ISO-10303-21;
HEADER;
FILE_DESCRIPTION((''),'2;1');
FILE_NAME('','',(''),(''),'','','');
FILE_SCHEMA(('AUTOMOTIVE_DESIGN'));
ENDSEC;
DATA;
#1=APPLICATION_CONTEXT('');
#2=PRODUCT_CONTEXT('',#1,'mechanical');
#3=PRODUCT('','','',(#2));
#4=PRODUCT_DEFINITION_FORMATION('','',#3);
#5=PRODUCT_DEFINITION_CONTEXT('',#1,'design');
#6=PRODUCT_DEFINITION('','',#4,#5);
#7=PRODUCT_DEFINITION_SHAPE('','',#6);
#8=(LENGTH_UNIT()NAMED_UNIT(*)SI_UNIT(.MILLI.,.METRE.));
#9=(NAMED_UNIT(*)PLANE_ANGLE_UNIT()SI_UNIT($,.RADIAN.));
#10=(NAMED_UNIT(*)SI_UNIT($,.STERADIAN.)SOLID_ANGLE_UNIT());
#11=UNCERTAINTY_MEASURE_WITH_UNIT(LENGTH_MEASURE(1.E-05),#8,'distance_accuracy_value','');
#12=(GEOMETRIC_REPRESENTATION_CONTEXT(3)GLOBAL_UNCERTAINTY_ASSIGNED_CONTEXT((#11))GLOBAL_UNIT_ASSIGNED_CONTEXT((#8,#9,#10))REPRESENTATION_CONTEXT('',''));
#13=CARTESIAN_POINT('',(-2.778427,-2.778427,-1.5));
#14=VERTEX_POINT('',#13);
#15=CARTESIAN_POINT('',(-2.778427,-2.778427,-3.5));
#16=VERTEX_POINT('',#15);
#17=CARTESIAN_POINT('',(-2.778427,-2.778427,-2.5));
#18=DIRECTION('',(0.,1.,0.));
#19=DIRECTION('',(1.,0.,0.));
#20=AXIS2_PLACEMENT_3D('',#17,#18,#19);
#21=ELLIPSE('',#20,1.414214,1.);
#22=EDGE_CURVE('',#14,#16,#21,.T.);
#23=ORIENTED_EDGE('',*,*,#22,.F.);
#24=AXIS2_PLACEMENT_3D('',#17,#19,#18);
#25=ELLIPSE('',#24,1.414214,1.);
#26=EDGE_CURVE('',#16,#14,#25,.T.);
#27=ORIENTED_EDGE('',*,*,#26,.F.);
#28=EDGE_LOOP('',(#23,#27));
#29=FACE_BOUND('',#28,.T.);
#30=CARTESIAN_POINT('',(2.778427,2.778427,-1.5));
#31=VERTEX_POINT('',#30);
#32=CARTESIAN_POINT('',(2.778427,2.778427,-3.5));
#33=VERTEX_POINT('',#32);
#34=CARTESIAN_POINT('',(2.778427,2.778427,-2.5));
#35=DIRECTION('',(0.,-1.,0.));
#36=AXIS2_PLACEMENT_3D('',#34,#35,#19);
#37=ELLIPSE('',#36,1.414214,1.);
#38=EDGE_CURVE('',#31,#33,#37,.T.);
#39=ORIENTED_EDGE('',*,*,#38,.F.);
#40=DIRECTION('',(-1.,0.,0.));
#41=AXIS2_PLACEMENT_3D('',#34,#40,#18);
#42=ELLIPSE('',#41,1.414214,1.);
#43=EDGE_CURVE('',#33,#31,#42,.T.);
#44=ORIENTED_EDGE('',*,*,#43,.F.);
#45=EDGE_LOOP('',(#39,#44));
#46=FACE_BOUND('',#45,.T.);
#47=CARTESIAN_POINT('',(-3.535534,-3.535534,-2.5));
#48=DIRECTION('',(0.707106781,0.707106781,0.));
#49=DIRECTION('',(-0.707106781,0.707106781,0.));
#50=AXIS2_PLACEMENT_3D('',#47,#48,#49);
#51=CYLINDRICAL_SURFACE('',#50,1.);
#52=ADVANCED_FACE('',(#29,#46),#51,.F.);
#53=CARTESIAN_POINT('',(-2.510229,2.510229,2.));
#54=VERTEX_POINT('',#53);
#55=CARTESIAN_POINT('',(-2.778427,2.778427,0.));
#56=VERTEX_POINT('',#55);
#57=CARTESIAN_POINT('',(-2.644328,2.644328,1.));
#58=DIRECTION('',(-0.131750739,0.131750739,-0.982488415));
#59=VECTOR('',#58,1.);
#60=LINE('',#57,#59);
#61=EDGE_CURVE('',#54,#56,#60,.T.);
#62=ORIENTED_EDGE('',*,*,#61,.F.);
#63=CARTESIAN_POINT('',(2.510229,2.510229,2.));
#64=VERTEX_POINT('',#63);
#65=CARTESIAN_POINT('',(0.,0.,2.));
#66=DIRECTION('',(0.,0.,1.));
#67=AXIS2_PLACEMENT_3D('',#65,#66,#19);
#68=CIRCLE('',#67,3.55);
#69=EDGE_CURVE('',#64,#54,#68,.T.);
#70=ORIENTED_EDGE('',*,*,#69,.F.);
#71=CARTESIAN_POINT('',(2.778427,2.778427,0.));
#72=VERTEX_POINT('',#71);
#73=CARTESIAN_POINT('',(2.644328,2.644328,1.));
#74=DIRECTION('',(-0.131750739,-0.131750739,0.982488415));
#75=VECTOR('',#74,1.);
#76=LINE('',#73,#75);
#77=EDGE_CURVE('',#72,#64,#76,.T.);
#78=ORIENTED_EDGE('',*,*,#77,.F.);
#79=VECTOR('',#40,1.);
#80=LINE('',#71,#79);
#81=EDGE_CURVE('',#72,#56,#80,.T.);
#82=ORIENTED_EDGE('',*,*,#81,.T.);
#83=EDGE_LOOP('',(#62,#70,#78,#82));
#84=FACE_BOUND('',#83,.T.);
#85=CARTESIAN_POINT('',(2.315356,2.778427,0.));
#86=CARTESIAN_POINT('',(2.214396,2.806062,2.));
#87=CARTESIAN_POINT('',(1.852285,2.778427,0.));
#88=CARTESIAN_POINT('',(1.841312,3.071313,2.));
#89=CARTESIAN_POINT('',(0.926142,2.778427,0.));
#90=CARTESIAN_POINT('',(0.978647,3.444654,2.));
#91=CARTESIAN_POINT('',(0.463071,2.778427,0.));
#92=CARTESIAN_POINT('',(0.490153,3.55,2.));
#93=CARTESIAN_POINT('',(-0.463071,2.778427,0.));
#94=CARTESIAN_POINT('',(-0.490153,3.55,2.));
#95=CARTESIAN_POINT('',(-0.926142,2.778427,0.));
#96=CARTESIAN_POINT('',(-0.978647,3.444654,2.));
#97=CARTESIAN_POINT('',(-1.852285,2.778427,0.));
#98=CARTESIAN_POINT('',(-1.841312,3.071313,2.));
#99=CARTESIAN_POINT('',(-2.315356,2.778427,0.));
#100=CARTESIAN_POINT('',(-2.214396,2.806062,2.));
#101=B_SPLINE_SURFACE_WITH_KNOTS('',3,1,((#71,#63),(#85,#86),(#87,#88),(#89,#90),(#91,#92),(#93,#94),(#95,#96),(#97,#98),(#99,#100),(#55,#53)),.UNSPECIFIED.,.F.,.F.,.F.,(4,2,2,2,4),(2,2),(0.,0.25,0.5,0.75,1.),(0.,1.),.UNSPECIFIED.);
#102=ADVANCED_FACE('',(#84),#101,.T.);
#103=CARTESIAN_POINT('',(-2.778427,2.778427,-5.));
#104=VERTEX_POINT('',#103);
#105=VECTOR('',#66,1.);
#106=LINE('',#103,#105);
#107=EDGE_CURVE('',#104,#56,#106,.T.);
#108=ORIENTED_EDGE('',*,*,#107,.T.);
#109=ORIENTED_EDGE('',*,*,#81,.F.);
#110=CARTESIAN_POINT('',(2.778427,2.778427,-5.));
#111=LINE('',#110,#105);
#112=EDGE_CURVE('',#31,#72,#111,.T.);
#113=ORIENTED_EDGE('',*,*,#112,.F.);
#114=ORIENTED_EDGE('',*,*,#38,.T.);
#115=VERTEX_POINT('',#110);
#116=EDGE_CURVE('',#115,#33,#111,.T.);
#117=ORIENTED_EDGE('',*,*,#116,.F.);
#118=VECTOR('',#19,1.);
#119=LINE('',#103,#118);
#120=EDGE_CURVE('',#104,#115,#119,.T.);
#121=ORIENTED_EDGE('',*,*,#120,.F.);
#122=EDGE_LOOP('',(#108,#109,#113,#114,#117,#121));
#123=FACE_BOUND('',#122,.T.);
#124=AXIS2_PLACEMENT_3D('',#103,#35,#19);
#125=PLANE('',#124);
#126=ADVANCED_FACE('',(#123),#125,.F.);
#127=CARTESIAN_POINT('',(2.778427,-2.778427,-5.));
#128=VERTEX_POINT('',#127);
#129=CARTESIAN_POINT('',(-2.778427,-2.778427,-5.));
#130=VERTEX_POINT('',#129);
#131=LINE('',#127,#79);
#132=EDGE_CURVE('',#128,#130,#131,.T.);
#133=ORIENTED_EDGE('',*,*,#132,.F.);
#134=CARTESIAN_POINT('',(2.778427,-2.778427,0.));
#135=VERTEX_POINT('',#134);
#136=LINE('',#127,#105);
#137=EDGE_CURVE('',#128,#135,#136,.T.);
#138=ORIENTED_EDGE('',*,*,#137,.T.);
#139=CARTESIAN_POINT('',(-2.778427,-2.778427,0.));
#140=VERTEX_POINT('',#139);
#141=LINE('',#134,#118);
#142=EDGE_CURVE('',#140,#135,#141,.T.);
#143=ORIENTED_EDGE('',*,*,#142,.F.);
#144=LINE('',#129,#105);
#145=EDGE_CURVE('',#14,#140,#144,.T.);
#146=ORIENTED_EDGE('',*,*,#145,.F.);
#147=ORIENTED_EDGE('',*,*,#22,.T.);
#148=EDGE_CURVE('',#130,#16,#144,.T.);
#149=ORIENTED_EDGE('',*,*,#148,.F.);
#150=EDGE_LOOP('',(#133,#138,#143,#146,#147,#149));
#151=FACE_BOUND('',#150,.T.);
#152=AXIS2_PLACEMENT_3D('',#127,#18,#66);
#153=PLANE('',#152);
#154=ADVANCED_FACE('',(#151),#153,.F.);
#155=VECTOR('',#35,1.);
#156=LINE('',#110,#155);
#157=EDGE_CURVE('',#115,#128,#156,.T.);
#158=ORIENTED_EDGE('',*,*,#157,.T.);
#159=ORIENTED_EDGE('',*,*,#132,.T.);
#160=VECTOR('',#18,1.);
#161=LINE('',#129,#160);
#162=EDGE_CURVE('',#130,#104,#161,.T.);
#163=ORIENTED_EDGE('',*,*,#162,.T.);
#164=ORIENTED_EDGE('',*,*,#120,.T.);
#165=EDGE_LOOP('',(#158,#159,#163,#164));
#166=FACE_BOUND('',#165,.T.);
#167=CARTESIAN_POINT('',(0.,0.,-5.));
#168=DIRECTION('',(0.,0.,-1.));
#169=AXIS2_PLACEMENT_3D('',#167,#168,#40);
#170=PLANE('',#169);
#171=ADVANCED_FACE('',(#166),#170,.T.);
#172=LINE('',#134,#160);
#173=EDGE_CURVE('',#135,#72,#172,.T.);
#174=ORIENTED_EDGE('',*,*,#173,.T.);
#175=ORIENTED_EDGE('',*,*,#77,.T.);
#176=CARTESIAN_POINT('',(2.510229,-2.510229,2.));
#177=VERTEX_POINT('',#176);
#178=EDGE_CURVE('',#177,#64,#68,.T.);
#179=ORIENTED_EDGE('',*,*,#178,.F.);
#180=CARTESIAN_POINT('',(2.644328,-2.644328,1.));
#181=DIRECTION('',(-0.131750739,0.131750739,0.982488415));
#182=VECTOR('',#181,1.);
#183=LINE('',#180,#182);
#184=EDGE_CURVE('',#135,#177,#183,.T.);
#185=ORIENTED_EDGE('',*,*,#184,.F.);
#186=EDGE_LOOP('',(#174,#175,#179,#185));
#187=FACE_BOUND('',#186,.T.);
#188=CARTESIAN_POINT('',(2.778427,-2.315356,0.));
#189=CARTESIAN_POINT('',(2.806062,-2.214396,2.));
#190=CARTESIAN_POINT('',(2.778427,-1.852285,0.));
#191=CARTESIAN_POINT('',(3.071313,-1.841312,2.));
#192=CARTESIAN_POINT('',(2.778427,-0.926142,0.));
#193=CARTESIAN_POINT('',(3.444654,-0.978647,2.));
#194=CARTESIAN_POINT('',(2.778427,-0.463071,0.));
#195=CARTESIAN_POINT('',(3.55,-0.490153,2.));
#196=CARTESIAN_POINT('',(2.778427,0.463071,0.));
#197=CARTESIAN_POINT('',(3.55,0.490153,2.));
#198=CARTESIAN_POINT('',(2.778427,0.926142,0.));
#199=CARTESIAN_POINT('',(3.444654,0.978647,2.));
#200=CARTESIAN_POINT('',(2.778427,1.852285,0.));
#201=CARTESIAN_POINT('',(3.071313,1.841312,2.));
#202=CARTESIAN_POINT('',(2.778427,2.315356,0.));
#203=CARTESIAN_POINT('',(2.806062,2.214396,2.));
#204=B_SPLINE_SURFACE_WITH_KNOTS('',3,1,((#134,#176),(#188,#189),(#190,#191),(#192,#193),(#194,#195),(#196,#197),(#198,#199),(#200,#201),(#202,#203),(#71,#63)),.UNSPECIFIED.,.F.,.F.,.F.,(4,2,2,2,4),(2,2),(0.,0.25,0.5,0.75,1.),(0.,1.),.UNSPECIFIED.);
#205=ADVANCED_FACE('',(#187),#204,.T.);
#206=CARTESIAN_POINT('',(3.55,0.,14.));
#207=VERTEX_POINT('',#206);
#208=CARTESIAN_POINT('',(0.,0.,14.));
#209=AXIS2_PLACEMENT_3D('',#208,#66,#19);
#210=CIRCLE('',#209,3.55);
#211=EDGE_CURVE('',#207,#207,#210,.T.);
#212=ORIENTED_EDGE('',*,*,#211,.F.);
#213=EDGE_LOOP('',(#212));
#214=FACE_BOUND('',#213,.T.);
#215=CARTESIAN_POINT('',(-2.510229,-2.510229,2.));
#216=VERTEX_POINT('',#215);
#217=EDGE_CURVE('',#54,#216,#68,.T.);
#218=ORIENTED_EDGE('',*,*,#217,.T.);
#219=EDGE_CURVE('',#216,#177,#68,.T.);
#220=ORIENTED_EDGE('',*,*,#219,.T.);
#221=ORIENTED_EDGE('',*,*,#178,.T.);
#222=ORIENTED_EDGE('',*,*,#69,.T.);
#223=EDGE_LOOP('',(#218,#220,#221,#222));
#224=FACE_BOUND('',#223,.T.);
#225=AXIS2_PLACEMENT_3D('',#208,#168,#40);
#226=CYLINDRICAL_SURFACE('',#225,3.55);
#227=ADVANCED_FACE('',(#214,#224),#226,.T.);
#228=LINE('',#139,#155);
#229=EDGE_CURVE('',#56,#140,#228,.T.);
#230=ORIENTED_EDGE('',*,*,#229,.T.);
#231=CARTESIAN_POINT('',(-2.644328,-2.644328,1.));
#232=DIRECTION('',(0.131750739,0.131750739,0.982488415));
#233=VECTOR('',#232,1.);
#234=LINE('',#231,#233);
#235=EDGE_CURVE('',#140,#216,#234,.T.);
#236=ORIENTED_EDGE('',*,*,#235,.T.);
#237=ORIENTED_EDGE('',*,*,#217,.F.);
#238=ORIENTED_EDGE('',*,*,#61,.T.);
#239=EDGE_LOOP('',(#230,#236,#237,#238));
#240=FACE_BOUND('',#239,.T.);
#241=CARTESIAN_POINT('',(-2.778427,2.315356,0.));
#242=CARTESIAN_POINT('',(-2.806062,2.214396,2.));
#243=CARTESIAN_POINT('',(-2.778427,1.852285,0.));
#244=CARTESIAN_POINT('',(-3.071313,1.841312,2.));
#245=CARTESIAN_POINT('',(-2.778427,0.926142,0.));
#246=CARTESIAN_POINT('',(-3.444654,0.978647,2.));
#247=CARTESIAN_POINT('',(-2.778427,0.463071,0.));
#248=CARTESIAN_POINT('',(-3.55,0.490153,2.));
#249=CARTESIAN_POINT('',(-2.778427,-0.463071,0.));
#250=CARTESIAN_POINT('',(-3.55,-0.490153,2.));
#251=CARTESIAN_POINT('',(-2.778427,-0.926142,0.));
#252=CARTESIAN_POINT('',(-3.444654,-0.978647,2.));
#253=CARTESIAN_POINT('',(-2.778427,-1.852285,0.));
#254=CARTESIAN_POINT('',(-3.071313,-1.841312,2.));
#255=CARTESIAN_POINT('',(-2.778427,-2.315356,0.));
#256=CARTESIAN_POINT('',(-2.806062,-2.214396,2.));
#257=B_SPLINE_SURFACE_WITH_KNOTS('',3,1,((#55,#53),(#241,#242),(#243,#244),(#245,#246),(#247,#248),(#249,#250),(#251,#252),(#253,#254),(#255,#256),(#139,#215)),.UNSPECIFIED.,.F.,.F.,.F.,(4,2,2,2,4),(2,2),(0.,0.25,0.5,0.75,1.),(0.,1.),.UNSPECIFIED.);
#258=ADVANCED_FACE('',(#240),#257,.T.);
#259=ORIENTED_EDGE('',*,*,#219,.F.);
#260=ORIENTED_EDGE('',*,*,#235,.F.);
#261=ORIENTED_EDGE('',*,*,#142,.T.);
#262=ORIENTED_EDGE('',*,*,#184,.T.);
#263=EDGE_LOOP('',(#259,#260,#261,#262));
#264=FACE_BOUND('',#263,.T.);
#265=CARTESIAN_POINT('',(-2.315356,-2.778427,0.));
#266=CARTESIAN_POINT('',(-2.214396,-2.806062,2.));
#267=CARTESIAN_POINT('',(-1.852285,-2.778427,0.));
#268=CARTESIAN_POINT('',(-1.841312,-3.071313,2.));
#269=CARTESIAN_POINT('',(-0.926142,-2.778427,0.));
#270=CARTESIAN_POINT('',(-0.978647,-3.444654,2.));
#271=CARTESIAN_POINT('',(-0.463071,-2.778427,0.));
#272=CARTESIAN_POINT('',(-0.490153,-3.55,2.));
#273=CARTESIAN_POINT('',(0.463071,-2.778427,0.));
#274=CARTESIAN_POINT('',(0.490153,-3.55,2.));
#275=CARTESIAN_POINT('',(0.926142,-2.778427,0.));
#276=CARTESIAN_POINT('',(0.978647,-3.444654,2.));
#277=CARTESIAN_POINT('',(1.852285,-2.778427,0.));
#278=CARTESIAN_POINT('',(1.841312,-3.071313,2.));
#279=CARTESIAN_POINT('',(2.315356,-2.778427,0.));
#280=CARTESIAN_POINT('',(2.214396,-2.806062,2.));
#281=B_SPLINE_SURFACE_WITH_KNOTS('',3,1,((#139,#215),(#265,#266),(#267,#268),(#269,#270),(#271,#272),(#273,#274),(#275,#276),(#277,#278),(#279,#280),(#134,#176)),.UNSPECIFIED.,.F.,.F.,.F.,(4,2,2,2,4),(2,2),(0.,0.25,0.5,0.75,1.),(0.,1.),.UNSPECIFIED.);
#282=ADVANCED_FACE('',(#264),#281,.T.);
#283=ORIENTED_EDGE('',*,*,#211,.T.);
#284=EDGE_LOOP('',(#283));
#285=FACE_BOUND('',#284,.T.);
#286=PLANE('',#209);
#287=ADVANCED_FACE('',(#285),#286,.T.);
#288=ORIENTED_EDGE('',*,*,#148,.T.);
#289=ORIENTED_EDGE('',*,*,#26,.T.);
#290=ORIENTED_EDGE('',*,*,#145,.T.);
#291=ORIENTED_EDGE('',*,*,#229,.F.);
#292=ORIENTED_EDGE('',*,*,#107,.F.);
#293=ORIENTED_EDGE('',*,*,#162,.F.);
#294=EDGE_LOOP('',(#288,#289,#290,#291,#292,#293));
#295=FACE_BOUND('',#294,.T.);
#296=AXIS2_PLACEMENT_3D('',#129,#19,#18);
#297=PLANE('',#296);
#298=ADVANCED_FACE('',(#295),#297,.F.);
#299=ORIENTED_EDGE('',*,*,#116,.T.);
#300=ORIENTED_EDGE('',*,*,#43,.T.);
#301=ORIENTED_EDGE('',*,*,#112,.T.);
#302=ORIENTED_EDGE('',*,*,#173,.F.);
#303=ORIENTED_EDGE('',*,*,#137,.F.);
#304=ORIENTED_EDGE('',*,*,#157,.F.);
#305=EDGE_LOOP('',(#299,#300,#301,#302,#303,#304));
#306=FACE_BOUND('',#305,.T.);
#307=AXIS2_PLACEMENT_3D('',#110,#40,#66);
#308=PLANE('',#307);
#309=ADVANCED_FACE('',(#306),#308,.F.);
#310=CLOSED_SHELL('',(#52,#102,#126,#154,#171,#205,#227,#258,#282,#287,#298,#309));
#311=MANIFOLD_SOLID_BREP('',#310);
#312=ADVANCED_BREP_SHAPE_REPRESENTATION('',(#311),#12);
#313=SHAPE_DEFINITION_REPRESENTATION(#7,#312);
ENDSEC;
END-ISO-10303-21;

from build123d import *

# Parameters (mm, degrees)
SKETCH3_W           = 5.55685425
SKETCH3_H           = 5.55685425
BOSS_EXTRUDE1_DEPTH = 5
BOSS_EXTRUDE2_DEPTH = 12
SKETCH5_R           = 1
CUT_EXTRUDE1_DEPTH  = 5


with BuildPart() as part:
    # Sketch1 → Loft1 section 0
    with BuildSketch(Plane.XY):
        with BuildLine():
            Line((2.778427125, 2.778427125), (-2.778427125, 2.778427125))
            Line((-2.778427125, 2.778427125), (-2.778427125, -2.778427125))
            Line((-2.778427125, -2.778427125), (2.778427125, -2.778427125))
            Line((2.778427125, -2.778427125), (2.778427125, 2.778427125))
        make_face()
    # Sketch2 for Loft1 → Loft1 section 1
    with BuildSketch(Plane.XY.offset(2)):
        with BuildLine():
            # circular arc as an exact rational Bezier (weights 1, cos(half-angle), 1)
            Bezier((2.510229073, 2.510229073), (0, 5.020458147), (-2.510229073, 2.510229073), weights=[1, 0.707106781, 1])
            Bezier((-2.510229073, 2.510229073), (-5.020458147, 0), (-2.510229073, -2.510229073), weights=[1, 0.707106781, 1])
            Bezier((-2.510229073, -2.510229073), (0, -5.020458147), (2.510229073, -2.510229073), weights=[1, 0.707106781, 1])
            Bezier((2.510229073, -2.510229073), (5.020458147, 0), (2.510229073, 2.510229073), weights=[1, 0.707106781, 1])
        make_face()
    loft()

    # Sketch3 → Boss-Extrude1 (add)
    with BuildSketch(Plane(origin=(0, 0, 0), x_dir=(-1, 0, 0), z_dir=(0, 0, -1))):
        Rectangle(SKETCH3_W, SKETCH3_H)
    extrude(amount=BOSS_EXTRUDE1_DEPTH)

    # Sketch4 → Boss-Extrude2 (add)
    with BuildSketch(Plane.XY.offset(2)):
        with BuildLine():
            ThreePointArc((2.510229073, 2.510229073), (0, 3.55), (-2.510229073, 2.510229073))
            ThreePointArc((-2.510229073, 2.510229073), (-3.55, 0), (-2.510229073, -2.510229073))
            ThreePointArc((-2.510229073, -2.510229073), (0, -3.55), (2.510229073, -2.510229073))
            ThreePointArc((2.510229073, -2.510229073), (3.55, 0), (2.510229073, 2.510229073))
        make_face()
    extrude(amount=BOSS_EXTRUDE2_DEPTH)

    # Sketch5 → Cut-Extrude1 (cut, symmetric)
    with BuildSketch(Plane(origin=(0, 0, 0), x_dir=(0, 0, -1), z_dir=(0.7071067811865488, 0.7071067811865464, 0))):
        with Locations((2.5, 0)):
            Circle(SKETCH5_R)
    extrude(amount=CUT_EXTRUDE1_DEPTH, both=True, mode=Mode.SUBTRACT)


solid = part.part
